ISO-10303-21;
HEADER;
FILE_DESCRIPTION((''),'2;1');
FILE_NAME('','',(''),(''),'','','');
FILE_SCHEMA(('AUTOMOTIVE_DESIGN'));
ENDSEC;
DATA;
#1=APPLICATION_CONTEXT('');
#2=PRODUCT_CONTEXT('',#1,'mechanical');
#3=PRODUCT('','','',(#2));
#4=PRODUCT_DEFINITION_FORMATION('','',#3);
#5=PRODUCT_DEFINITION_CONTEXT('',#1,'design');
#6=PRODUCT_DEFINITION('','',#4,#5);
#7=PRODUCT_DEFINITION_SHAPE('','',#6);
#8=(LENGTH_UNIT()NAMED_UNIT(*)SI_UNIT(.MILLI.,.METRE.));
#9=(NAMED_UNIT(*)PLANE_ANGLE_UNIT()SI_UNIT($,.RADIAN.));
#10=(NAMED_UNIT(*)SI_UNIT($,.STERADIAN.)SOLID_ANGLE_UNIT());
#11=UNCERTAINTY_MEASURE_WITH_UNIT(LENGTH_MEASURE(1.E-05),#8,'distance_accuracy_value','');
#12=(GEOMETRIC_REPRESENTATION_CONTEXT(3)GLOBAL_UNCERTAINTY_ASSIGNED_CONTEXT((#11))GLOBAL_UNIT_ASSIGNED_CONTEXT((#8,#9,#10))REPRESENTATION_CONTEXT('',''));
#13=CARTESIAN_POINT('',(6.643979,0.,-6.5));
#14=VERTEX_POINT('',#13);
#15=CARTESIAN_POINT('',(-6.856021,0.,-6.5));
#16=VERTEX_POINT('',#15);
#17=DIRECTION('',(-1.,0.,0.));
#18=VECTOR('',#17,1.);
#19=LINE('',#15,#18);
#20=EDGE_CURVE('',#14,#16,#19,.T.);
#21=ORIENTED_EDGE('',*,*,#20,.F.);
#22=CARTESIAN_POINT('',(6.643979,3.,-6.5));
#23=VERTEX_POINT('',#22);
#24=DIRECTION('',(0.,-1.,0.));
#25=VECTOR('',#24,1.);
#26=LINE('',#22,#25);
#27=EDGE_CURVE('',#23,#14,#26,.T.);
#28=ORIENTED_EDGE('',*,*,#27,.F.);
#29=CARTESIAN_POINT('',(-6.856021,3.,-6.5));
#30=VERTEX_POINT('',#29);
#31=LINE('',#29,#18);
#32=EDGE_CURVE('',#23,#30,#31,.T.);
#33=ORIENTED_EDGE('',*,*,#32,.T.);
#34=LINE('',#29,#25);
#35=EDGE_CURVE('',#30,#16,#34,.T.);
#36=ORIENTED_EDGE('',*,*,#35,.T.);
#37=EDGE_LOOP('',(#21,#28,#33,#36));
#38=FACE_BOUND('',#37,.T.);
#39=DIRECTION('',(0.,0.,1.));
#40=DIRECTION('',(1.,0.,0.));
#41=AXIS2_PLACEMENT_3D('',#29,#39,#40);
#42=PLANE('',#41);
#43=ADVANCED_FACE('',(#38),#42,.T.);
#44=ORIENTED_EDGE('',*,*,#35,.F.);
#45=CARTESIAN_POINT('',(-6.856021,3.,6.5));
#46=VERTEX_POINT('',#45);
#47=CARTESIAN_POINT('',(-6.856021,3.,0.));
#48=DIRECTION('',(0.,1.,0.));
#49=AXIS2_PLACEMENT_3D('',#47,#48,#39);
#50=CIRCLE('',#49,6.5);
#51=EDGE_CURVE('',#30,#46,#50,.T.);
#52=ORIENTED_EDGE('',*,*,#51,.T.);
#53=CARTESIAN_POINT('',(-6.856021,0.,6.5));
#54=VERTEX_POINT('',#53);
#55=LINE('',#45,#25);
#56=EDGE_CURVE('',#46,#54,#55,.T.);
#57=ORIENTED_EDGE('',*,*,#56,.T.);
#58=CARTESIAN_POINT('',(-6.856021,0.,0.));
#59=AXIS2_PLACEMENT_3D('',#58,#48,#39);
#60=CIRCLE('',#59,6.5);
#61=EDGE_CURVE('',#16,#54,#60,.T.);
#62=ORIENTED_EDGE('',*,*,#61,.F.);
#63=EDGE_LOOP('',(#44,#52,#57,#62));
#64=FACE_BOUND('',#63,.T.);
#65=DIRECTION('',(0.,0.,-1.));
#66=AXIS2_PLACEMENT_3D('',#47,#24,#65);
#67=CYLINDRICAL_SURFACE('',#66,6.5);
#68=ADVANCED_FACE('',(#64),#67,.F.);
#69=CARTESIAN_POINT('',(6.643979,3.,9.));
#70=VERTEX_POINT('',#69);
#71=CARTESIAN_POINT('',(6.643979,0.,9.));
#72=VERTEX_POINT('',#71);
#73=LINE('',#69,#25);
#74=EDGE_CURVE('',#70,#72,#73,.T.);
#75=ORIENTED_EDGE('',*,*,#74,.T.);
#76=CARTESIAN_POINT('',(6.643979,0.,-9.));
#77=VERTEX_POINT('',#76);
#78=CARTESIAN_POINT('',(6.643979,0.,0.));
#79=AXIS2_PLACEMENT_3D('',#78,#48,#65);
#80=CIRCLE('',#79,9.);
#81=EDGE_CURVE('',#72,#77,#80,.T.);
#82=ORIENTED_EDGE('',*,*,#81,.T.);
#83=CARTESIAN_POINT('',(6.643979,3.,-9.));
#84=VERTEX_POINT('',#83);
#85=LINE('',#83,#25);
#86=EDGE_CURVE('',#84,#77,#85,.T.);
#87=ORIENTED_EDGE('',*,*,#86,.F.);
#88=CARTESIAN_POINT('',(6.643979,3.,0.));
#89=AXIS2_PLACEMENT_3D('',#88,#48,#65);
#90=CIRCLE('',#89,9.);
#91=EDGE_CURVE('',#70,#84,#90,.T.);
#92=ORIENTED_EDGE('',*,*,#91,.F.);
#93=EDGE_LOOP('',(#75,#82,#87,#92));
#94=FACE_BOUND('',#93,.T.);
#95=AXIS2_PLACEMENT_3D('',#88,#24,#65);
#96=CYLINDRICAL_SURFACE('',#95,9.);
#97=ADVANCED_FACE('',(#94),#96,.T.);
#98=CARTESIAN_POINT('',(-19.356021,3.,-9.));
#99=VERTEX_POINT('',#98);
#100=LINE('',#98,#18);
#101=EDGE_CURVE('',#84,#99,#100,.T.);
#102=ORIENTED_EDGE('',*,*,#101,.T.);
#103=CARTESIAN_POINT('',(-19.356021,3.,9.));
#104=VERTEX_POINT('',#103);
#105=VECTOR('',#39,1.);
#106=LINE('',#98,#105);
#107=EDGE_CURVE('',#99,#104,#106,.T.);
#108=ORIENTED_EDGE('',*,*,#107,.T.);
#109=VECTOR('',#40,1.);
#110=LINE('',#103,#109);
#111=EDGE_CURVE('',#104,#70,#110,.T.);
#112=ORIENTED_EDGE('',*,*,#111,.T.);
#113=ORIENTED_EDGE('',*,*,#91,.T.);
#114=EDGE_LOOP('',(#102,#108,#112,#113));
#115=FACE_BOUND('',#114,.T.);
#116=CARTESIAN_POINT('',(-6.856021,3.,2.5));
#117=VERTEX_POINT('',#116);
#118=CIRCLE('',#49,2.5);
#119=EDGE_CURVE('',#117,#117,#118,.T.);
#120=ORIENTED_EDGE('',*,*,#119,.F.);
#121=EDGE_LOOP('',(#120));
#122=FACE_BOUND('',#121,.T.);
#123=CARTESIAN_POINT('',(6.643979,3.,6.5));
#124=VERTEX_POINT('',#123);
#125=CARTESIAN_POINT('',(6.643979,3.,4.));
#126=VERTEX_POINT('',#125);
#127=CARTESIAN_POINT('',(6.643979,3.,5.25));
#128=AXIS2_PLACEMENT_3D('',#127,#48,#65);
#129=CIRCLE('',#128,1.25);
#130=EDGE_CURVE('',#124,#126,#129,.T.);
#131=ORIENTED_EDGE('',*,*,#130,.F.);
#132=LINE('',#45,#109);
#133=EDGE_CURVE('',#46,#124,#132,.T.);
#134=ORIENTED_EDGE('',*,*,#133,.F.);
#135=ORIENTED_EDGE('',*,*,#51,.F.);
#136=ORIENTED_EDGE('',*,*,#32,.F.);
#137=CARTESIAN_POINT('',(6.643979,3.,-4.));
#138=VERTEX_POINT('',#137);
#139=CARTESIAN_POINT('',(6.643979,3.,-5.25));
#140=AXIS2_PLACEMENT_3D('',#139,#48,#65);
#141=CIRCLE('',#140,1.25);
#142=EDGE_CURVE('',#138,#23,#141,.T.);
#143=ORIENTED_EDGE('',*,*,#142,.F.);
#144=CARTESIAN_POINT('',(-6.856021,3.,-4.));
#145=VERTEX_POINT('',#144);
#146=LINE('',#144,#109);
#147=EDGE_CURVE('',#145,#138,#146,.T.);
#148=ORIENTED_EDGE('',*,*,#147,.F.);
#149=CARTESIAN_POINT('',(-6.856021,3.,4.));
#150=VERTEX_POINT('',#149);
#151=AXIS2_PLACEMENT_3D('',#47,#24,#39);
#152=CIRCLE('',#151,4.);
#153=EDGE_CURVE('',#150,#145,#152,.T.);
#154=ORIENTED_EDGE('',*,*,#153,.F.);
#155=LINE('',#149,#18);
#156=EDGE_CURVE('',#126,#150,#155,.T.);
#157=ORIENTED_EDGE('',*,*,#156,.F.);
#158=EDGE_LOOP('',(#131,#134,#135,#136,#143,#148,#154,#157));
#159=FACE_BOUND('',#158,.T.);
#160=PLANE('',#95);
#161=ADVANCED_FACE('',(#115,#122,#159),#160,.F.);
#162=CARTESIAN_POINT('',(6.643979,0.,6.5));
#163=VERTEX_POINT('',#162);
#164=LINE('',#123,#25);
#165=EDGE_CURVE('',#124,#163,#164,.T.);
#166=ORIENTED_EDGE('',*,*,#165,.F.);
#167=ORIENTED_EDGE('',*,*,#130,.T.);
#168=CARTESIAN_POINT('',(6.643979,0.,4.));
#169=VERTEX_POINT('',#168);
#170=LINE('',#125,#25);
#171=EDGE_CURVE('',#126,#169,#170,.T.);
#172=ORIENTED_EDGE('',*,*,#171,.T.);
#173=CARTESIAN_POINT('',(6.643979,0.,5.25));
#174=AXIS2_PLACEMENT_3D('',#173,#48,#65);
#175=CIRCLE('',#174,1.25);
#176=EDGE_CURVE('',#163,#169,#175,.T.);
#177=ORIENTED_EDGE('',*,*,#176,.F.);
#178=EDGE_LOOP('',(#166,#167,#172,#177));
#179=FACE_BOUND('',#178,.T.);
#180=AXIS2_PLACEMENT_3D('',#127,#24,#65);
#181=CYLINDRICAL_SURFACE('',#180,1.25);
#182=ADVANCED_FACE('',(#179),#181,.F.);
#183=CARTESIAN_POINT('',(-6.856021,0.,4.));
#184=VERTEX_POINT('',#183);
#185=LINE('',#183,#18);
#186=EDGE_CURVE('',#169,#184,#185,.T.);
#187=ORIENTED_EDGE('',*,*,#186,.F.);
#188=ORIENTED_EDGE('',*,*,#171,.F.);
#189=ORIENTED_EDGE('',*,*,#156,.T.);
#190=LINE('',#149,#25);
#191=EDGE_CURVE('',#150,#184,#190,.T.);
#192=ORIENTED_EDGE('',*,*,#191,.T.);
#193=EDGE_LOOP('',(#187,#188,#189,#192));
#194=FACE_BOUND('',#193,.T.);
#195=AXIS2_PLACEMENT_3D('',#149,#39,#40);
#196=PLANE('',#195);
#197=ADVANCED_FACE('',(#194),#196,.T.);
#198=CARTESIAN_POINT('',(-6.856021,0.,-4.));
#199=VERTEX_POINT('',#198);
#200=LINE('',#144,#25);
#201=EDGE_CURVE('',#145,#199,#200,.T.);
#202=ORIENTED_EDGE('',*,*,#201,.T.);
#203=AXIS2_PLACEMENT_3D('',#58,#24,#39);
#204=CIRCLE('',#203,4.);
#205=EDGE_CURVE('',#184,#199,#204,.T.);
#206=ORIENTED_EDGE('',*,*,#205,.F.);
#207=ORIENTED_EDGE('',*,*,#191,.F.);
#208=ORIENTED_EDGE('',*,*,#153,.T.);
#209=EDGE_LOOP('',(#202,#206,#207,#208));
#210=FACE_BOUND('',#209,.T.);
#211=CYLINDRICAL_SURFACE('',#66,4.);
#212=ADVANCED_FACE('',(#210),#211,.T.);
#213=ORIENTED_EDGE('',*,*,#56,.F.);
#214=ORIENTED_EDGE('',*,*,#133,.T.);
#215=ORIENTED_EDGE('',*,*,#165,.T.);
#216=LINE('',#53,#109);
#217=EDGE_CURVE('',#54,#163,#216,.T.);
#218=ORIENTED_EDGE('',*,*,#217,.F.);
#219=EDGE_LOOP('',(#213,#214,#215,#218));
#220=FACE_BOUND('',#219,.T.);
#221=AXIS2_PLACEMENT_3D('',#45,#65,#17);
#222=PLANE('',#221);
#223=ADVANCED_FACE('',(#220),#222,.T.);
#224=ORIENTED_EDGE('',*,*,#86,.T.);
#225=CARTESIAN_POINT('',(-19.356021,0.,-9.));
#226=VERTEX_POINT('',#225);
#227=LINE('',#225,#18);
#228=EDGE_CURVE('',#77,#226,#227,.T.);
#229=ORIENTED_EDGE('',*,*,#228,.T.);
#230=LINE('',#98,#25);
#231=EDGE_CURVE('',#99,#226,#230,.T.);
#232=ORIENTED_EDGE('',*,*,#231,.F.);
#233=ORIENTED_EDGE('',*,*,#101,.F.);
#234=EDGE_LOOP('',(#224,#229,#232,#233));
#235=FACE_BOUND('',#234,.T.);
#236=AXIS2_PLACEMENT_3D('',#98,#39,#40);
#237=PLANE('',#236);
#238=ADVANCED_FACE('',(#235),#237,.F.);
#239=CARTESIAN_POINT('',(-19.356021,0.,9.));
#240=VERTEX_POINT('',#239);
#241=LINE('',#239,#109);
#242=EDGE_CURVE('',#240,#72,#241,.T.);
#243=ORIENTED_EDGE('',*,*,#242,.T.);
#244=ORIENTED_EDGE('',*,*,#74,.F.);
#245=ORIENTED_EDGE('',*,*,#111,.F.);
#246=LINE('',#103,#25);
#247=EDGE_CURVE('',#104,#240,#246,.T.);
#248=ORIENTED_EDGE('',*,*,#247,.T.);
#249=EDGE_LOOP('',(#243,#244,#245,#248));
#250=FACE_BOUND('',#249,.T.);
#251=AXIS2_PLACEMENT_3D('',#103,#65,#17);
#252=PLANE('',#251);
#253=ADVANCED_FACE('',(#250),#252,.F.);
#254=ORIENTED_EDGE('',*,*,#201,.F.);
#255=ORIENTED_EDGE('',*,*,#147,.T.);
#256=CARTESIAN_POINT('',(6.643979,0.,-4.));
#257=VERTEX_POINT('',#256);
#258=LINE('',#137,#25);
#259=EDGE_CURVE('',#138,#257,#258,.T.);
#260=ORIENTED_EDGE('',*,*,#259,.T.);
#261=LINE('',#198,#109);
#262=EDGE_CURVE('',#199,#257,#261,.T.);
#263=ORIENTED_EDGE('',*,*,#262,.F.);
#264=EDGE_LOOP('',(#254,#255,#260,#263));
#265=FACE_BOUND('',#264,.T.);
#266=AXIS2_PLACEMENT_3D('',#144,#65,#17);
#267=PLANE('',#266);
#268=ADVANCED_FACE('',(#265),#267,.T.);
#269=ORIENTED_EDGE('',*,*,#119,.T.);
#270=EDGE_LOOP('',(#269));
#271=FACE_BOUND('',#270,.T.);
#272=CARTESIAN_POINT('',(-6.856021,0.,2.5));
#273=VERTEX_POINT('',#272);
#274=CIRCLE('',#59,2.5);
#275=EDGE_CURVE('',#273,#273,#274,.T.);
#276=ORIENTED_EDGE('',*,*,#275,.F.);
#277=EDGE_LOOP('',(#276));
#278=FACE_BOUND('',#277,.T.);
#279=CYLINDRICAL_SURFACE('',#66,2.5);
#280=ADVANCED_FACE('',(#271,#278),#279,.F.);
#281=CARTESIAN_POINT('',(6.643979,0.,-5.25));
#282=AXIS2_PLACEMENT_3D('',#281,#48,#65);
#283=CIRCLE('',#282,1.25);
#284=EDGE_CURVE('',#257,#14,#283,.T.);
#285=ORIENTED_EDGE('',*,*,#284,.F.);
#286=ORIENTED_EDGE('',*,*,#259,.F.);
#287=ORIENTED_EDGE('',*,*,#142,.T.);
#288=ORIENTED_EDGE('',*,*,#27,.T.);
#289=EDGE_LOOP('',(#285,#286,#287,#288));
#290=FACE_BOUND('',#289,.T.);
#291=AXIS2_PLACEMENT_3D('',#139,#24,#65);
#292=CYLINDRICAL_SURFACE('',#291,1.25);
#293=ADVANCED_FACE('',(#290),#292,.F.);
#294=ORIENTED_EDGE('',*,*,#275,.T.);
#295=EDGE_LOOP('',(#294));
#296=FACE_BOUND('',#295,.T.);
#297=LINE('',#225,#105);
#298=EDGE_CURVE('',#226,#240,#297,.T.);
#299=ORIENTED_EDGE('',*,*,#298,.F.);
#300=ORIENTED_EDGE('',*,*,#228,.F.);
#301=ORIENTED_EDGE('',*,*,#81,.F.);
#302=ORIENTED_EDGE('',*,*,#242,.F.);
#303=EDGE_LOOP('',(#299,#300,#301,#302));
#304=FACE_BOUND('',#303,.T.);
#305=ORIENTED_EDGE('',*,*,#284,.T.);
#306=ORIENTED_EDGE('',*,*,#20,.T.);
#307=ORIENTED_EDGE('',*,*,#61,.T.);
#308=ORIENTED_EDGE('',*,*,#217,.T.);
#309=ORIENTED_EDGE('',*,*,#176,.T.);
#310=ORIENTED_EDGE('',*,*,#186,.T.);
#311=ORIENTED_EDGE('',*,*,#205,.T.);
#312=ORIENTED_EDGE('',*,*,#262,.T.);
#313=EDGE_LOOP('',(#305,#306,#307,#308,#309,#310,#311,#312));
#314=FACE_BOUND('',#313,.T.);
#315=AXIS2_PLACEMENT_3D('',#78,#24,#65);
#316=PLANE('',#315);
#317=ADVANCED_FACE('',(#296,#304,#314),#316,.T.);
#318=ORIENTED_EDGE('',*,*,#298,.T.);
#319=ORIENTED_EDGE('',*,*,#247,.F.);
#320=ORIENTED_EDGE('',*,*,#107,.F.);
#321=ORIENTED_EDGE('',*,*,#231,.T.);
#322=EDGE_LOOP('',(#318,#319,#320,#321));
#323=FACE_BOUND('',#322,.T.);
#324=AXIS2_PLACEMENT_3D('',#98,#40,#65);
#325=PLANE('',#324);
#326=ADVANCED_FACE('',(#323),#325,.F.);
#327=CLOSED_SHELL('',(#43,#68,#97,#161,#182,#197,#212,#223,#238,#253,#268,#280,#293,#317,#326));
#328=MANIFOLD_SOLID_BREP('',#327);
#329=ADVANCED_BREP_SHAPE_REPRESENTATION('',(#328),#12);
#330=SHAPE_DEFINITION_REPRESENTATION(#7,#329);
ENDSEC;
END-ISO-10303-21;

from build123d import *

# Parameters (mm, degrees)
SKETCH1_R           = 2.5
BOSS_EXTRUDE2_DEPTH = 3


with BuildPart() as part:
    # Sketch1 → Boss-Extrude2 (new body)
    with BuildSketch(Plane(origin=(0, 0, 0), x_dir=(1, 0, 0), z_dir=(0, 1, 0))):
        with BuildLine():
            Line((-19.356020942, 9), (6.643979058, 9))
            ThreePointArc((6.643979058, 9), (15.643979058, 0), (6.643979058, -9))
            Line((6.643979058, -9), (-19.356020942, -9))
            Line((-19.356020942, -9), (-19.356020942, 9))
        make_face()
        with Locations(Location((-6.856020942, 0, 0), (0, 0, 270))):
            Circle(SKETCH1_R, mode=Mode.SUBTRACT)
        with BuildLine():
            Line((-6.856020942, -6.5), (6.643979058, -6.5))
            ThreePointArc((6.643979058, -6.5), (7.893979058, -5.25), (6.643979058, -4))
            Line((6.643979058, -4), (-6.856020942, -4))
            ThreePointArc((-6.856020942, -4), (-10.856020942, 0), (-6.856020942, 4))
            Line((-6.856020942, 4), (6.643979058, 4))
            ThreePointArc((6.643979058, 4), (7.893979058, 5.25), (6.643979058, 6.5))
            Line((6.643979058, 6.5), (-6.856020942, 6.5))
            ThreePointArc((-6.856020942, 6.5), (-13.356020942, 0), (-6.856020942, -6.5))
        make_face(mode=Mode.SUBTRACT)
    extrude(amount=BOSS_EXTRUDE2_DEPTH)


solid = part.part
